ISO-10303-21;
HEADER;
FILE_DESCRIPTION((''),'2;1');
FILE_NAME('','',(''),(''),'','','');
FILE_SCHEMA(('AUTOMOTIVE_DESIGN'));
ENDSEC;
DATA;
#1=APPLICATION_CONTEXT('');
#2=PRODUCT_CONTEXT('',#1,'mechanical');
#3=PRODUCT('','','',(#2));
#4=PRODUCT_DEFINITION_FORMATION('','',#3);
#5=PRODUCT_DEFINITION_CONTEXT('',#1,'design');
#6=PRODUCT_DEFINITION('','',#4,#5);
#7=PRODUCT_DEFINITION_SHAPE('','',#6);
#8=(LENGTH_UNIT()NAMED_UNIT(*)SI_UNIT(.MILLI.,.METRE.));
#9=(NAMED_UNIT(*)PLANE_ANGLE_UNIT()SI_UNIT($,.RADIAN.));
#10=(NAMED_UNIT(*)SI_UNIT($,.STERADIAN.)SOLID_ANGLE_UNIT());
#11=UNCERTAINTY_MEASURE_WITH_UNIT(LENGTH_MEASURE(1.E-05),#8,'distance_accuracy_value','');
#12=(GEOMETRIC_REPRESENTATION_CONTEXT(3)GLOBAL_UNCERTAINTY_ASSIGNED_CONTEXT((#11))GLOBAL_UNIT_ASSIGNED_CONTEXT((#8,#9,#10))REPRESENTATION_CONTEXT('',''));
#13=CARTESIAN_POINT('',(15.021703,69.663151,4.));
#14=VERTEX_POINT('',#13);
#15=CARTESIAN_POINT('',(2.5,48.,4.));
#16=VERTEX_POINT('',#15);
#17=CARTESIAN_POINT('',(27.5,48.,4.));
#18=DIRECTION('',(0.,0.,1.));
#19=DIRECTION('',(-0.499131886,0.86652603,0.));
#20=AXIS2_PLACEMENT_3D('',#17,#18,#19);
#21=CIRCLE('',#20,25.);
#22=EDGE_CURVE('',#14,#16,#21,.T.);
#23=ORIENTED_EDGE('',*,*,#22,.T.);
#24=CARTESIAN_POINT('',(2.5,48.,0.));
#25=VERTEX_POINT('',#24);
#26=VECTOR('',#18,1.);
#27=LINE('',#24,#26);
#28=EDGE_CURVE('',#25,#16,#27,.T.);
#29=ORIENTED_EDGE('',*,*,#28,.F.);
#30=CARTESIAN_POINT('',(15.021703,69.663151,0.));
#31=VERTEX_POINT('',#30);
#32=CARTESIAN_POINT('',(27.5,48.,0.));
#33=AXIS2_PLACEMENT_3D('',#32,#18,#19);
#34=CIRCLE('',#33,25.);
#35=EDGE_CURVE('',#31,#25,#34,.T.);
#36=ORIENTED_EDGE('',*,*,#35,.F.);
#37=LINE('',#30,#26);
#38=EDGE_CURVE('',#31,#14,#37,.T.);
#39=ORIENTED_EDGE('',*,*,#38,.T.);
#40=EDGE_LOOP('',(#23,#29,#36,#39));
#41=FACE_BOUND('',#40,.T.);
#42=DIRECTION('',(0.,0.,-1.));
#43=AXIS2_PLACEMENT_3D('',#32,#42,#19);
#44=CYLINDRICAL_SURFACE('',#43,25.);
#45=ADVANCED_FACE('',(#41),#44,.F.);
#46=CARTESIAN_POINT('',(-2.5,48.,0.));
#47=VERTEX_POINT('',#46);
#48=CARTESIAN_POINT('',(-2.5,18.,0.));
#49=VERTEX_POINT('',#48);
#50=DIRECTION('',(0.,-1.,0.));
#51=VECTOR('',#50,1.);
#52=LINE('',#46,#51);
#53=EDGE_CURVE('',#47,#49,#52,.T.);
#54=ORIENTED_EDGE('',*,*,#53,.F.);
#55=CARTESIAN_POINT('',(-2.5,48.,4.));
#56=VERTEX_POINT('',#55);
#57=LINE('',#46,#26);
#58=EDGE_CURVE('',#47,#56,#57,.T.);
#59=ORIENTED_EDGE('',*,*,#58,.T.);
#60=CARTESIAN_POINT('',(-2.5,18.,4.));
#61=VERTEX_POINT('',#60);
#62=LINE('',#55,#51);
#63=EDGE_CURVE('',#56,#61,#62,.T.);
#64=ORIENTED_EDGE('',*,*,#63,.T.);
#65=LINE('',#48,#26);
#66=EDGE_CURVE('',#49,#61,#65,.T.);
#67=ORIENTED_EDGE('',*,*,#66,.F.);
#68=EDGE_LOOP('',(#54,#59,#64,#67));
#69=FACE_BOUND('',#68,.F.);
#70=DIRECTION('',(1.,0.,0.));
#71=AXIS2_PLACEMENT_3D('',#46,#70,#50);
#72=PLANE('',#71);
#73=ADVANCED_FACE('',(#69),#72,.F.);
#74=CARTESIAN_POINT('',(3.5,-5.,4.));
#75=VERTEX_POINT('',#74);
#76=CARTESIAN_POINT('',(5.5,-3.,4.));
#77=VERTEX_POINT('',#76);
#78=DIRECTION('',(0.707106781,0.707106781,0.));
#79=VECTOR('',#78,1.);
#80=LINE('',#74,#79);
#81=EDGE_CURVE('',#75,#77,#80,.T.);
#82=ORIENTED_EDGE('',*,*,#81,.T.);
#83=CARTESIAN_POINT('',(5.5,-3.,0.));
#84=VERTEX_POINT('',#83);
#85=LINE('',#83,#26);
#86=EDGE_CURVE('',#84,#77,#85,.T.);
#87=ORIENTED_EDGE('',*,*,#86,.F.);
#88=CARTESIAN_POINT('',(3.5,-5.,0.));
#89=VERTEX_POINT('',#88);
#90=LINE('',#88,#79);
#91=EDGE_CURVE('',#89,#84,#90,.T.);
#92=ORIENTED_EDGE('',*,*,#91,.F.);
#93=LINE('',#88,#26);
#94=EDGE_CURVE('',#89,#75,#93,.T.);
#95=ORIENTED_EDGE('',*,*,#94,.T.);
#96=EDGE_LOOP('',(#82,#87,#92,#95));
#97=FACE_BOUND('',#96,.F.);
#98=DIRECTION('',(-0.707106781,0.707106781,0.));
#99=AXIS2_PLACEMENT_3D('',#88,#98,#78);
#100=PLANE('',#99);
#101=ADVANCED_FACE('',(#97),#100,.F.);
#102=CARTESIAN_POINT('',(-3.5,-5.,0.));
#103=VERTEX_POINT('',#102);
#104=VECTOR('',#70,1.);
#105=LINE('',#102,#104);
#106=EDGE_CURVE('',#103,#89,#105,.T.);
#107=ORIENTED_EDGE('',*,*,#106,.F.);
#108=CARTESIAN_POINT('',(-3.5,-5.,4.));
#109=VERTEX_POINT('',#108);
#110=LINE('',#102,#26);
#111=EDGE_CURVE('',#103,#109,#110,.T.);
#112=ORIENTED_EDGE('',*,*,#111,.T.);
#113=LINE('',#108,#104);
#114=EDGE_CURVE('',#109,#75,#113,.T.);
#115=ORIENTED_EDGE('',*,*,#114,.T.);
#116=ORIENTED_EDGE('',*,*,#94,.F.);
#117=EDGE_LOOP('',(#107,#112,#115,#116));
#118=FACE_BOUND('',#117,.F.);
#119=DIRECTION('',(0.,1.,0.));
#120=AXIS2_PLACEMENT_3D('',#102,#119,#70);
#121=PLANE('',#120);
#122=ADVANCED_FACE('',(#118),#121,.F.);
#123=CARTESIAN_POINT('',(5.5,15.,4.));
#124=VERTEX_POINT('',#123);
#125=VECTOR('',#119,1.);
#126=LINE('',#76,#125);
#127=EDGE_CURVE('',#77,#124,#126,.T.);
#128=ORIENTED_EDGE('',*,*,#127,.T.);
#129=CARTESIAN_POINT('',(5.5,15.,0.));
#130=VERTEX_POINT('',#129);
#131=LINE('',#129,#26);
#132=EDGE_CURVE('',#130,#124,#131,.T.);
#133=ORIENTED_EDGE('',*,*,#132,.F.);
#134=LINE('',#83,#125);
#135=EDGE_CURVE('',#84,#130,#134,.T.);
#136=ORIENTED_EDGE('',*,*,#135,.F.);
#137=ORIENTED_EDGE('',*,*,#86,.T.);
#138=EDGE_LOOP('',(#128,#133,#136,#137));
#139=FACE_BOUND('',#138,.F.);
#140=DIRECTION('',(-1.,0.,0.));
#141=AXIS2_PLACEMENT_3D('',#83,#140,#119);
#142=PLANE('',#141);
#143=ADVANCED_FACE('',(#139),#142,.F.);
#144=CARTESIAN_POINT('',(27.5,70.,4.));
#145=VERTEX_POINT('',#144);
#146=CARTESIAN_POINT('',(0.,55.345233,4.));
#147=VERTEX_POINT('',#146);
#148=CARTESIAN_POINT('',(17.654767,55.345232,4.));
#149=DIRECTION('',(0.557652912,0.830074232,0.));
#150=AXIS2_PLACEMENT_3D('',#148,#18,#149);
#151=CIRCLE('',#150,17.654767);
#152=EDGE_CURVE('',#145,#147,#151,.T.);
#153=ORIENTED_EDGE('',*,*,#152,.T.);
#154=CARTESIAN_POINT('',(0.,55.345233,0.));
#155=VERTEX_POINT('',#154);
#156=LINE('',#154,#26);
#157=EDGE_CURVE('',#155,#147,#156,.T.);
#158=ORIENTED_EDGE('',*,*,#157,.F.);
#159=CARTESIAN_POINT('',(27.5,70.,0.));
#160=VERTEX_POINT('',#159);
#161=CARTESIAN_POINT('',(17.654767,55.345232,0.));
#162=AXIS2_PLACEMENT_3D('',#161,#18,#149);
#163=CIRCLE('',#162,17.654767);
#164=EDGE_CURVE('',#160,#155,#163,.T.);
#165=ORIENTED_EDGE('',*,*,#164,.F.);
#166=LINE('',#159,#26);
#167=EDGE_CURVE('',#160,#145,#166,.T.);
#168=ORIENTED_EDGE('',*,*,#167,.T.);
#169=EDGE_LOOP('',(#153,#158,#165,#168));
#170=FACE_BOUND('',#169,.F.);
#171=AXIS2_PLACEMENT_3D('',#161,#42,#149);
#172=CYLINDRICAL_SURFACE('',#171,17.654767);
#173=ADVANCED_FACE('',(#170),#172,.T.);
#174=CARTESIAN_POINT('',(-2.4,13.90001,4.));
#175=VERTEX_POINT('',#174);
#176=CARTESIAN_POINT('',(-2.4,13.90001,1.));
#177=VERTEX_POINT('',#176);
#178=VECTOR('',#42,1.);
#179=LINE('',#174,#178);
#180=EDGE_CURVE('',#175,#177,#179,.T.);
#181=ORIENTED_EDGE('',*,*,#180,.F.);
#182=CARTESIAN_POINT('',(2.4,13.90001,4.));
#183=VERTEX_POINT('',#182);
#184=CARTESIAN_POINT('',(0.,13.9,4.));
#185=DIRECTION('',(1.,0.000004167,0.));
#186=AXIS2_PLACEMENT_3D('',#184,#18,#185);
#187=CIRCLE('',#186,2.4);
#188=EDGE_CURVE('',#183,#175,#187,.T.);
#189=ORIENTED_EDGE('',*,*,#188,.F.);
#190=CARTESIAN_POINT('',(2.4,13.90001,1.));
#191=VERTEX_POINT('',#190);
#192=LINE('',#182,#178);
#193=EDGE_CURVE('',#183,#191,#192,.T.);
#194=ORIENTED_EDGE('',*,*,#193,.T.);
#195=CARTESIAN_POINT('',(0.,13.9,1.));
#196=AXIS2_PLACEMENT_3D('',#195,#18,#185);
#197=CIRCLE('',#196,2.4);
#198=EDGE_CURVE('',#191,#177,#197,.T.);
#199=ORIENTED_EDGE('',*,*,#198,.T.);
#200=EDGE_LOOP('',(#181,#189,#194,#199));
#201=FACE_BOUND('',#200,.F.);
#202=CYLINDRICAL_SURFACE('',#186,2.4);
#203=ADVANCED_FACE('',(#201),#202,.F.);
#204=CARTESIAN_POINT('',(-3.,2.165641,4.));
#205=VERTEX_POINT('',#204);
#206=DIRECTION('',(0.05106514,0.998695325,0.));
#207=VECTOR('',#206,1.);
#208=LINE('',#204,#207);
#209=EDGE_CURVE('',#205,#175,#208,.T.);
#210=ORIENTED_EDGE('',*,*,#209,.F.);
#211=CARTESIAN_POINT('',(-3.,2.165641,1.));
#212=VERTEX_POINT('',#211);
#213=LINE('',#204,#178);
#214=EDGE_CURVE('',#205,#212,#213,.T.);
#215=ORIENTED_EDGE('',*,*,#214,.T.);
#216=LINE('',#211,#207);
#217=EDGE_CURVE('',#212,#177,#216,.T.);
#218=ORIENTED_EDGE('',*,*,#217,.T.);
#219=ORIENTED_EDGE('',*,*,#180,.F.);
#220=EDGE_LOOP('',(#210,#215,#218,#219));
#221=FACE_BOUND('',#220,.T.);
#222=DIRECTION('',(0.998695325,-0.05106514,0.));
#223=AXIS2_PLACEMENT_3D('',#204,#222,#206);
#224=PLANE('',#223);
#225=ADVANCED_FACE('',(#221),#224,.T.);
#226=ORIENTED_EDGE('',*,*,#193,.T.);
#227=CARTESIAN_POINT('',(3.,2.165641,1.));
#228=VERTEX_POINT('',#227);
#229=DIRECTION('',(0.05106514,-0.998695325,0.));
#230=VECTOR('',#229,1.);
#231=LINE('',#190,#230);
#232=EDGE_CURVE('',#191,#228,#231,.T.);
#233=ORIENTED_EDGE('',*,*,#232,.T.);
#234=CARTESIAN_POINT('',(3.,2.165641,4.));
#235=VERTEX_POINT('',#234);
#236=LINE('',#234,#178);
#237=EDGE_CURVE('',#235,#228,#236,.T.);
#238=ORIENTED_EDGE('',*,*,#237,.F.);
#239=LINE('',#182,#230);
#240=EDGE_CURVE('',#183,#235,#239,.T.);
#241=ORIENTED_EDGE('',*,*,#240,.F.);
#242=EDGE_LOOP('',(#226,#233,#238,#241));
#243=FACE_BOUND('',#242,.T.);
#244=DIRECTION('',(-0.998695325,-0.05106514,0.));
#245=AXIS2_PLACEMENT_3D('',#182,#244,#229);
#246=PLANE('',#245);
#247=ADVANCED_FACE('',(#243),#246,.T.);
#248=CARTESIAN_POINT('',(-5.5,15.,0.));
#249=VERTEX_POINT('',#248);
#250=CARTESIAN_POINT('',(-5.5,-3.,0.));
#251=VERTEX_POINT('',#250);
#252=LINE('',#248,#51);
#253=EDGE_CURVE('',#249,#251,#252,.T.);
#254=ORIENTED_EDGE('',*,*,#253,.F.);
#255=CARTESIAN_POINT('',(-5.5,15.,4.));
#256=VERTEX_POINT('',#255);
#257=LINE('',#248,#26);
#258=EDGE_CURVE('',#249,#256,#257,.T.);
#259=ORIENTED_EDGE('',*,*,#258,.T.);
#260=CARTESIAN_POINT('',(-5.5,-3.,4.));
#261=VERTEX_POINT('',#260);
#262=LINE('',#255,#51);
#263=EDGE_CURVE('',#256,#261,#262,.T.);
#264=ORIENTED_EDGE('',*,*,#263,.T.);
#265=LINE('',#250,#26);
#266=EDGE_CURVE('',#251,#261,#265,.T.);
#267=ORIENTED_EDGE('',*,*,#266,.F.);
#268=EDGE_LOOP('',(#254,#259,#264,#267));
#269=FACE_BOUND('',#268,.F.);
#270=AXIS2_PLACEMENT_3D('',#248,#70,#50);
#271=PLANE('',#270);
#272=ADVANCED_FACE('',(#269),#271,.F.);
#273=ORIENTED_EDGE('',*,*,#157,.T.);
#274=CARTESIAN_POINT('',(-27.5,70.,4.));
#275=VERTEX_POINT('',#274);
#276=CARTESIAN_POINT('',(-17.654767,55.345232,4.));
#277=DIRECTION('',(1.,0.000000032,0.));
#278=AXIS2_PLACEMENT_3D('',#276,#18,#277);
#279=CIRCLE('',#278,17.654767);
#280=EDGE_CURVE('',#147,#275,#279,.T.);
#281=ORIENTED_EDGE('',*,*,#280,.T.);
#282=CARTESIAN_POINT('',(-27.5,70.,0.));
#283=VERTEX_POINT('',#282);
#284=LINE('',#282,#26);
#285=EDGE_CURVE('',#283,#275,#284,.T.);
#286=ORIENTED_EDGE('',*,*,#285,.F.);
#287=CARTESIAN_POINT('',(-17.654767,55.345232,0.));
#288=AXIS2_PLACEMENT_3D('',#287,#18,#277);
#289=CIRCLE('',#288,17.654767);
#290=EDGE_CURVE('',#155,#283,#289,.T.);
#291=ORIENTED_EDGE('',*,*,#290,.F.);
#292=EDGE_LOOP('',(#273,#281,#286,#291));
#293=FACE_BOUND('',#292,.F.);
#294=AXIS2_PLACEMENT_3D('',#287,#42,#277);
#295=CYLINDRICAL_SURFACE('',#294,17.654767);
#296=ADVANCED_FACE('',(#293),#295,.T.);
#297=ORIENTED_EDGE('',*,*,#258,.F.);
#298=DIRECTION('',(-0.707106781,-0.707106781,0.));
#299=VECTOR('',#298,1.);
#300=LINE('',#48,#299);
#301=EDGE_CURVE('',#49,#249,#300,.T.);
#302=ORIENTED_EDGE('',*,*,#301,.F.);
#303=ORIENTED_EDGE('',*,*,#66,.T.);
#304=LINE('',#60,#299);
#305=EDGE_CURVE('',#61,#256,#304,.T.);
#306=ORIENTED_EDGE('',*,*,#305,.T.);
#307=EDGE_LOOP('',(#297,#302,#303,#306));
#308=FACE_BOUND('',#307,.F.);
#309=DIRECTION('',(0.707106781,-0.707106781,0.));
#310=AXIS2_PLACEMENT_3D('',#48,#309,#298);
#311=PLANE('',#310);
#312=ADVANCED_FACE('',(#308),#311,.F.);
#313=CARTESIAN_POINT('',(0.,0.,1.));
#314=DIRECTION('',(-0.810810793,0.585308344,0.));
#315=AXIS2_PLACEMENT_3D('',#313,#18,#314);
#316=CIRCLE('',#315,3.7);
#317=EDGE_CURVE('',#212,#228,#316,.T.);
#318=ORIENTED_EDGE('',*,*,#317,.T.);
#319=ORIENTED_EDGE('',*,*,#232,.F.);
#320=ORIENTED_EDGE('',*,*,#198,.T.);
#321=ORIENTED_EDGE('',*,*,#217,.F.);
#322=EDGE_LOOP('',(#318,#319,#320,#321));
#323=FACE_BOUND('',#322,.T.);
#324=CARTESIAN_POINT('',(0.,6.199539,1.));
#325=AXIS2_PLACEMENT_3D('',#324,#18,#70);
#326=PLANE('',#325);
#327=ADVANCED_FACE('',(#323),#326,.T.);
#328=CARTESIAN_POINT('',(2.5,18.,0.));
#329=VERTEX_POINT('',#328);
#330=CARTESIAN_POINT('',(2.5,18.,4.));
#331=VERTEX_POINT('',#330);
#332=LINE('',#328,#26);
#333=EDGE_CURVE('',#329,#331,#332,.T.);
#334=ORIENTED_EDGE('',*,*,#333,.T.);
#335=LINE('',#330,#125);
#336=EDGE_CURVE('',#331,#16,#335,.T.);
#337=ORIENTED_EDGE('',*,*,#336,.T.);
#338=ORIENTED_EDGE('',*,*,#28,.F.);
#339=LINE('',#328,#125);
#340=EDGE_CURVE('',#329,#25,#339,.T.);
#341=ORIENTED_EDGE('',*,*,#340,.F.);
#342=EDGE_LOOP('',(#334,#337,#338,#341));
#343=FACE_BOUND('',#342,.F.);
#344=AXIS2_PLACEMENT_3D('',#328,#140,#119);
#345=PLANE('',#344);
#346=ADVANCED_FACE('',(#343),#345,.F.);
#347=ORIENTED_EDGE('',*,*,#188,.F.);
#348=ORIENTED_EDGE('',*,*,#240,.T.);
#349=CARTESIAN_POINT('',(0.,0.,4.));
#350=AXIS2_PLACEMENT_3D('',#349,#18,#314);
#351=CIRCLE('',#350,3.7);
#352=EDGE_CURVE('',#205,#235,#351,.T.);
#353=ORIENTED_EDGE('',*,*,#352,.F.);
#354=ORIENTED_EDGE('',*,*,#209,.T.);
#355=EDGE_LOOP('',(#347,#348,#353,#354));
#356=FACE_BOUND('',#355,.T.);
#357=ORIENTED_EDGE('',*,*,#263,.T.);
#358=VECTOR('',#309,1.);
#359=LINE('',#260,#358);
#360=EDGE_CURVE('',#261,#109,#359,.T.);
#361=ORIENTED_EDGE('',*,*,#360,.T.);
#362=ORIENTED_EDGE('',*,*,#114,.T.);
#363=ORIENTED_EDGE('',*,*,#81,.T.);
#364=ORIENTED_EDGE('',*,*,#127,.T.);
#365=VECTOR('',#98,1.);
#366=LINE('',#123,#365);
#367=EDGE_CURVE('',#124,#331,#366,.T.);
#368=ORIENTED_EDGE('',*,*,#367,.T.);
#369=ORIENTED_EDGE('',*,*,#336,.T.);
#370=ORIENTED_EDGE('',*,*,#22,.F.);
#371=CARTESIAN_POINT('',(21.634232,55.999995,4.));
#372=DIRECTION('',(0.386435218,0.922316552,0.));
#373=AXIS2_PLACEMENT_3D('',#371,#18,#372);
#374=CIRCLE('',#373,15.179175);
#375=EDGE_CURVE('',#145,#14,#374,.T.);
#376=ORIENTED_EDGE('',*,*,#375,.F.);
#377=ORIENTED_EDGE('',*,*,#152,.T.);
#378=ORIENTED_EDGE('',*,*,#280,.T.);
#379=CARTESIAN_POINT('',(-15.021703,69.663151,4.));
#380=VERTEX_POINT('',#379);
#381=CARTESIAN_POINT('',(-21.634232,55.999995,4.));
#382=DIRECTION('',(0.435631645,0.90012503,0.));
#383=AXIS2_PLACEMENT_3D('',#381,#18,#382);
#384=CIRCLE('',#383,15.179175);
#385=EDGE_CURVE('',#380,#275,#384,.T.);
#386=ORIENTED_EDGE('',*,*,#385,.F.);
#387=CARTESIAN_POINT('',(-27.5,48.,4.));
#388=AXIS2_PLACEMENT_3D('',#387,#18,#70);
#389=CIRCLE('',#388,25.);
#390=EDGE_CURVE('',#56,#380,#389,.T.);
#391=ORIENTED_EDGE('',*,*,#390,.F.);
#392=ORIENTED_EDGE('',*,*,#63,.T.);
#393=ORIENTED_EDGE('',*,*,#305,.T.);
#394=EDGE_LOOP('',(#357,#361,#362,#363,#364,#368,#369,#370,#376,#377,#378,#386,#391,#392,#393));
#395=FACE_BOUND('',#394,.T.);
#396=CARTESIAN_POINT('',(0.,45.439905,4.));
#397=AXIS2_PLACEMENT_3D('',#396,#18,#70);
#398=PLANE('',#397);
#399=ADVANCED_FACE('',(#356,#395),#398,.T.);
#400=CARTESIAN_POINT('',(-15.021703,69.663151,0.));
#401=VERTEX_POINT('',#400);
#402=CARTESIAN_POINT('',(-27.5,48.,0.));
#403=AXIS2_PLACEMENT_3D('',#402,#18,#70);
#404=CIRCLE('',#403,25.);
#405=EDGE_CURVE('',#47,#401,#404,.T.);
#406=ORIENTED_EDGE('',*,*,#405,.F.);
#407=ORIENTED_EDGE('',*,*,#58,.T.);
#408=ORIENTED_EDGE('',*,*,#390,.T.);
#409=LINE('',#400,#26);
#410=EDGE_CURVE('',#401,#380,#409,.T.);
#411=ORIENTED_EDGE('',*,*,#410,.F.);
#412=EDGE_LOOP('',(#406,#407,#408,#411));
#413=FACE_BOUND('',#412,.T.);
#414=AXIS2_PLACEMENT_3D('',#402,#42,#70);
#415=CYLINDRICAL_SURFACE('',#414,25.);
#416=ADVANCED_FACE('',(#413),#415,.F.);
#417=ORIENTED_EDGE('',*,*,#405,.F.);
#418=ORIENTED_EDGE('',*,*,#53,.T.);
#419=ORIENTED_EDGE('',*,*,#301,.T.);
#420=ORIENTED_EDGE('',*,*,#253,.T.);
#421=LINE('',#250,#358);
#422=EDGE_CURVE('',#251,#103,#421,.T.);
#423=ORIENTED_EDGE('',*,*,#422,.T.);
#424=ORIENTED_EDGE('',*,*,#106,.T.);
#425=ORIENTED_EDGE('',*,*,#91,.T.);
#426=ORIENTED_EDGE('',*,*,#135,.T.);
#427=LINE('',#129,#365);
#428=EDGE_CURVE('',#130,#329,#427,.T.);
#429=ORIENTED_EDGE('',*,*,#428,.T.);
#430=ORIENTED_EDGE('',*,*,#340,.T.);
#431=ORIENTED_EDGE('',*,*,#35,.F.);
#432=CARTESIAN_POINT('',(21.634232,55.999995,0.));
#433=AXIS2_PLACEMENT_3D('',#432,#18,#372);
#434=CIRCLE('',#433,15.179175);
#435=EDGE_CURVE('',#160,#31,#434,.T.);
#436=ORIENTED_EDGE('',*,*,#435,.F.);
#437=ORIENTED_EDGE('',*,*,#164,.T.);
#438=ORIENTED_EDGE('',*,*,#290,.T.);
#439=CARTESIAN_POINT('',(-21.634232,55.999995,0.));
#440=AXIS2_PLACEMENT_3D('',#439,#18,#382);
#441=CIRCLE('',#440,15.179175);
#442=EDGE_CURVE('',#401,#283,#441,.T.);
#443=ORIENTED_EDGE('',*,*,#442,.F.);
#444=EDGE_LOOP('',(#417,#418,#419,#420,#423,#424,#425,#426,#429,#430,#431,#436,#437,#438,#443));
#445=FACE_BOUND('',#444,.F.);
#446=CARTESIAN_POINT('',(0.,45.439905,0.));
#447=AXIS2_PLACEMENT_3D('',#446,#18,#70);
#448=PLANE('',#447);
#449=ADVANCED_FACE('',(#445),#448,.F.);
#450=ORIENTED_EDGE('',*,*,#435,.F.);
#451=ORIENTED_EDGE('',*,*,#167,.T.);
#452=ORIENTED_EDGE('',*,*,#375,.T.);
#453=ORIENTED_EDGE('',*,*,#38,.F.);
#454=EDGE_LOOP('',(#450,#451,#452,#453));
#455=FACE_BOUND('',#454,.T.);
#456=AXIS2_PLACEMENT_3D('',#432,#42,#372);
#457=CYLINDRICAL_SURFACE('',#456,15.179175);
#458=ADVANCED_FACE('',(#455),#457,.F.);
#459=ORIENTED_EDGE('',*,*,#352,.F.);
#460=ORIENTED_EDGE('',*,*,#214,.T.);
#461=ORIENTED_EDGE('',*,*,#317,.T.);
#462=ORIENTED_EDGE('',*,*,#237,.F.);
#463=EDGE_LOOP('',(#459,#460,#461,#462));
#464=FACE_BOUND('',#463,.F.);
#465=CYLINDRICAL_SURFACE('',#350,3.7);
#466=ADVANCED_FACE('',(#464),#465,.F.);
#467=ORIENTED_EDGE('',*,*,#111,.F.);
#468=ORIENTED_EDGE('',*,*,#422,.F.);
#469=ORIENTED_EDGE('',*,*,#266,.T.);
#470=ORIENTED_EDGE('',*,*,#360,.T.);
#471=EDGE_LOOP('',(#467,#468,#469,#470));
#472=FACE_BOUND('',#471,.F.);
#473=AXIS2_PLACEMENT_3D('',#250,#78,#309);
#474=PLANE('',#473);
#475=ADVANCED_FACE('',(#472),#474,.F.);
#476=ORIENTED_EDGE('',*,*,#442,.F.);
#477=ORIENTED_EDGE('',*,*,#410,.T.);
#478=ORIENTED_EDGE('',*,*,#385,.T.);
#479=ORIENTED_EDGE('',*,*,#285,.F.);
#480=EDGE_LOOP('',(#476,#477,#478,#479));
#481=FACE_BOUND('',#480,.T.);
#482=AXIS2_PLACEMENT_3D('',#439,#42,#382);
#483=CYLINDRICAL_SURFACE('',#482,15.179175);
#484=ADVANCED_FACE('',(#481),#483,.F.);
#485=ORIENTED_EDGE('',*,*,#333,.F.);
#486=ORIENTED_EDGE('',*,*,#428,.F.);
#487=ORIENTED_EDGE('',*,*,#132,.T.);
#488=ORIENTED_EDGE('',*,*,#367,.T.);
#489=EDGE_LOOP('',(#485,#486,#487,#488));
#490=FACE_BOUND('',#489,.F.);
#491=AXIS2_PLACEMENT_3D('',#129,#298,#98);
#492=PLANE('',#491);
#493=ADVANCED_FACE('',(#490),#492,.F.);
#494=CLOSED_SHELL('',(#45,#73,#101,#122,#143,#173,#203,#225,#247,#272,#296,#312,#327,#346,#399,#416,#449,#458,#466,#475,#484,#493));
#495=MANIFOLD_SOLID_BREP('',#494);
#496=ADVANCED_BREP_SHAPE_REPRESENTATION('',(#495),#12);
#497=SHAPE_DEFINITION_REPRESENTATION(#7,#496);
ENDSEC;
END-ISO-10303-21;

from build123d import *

# Parameters (mm, degrees)
PAD_DEPTH    = 4
POCKET_DEPTH = 3


with BuildPart() as part:
    # Sketch → Pad (new body)
    with BuildSketch(Plane.XY):
        with BuildLine():
            Line((2.5, 18), (2.5, 48))
            ThreePointArc((15.021703, 69.663151), (5.855631, 60.510847), (2.5, 48))
            ThreePointArc((27.5, 70), (21.224622, 71.173643), (15.021703, 69.663151))
            ThreePointArc((27.5, 70), (9.351891, 70.925767), (0, 55.345233))
            ThreePointArc((0, 55.345233), (-9.351891, 70.925767), (-27.5, 70))
            ThreePointArc((-15.021703, 69.663151), (-21.224622, 71.173643), (-27.5, 70))
            ThreePointArc((-2.5, 48), (-5.855631, 60.510847), (-15.021703, 69.663151))
            Line((-2.5, 48), (-2.5, 18))
            Line((-2.5, 18), (-5.5, 15))
            Line((-5.5, 15), (-5.5, -3))
            Line((-5.5, -3), (-3.5, -5))
            Line((-3.5, -5), (3.5, -5))
            Line((3.5, -5), (5.5, -3))
            Line((5.5, -3), (5.5, 15))
            Line((5.5, 15), (2.5, 18))
        make_face()
    extrude(amount=PAD_DEPTH)

    # Sketch001 → Pocket (cut)
    with BuildSketch(Plane.XY.offset(4)):
        with BuildLine():
            ThreePointArc((-3, 2.165641), (0, -3.7), (3, 2.165641))
            Line((2.4, 13.90001), (3, 2.165641))
            ThreePointArc((2.4, 13.90001), (0, 16.3), (-2.4, 13.90001))
            Line((-3, 2.165641), (-2.4, 13.90001))
        make_face()
    extrude(amount=-POCKET_DEPTH, mode=Mode.SUBTRACT)


solid = part.part
